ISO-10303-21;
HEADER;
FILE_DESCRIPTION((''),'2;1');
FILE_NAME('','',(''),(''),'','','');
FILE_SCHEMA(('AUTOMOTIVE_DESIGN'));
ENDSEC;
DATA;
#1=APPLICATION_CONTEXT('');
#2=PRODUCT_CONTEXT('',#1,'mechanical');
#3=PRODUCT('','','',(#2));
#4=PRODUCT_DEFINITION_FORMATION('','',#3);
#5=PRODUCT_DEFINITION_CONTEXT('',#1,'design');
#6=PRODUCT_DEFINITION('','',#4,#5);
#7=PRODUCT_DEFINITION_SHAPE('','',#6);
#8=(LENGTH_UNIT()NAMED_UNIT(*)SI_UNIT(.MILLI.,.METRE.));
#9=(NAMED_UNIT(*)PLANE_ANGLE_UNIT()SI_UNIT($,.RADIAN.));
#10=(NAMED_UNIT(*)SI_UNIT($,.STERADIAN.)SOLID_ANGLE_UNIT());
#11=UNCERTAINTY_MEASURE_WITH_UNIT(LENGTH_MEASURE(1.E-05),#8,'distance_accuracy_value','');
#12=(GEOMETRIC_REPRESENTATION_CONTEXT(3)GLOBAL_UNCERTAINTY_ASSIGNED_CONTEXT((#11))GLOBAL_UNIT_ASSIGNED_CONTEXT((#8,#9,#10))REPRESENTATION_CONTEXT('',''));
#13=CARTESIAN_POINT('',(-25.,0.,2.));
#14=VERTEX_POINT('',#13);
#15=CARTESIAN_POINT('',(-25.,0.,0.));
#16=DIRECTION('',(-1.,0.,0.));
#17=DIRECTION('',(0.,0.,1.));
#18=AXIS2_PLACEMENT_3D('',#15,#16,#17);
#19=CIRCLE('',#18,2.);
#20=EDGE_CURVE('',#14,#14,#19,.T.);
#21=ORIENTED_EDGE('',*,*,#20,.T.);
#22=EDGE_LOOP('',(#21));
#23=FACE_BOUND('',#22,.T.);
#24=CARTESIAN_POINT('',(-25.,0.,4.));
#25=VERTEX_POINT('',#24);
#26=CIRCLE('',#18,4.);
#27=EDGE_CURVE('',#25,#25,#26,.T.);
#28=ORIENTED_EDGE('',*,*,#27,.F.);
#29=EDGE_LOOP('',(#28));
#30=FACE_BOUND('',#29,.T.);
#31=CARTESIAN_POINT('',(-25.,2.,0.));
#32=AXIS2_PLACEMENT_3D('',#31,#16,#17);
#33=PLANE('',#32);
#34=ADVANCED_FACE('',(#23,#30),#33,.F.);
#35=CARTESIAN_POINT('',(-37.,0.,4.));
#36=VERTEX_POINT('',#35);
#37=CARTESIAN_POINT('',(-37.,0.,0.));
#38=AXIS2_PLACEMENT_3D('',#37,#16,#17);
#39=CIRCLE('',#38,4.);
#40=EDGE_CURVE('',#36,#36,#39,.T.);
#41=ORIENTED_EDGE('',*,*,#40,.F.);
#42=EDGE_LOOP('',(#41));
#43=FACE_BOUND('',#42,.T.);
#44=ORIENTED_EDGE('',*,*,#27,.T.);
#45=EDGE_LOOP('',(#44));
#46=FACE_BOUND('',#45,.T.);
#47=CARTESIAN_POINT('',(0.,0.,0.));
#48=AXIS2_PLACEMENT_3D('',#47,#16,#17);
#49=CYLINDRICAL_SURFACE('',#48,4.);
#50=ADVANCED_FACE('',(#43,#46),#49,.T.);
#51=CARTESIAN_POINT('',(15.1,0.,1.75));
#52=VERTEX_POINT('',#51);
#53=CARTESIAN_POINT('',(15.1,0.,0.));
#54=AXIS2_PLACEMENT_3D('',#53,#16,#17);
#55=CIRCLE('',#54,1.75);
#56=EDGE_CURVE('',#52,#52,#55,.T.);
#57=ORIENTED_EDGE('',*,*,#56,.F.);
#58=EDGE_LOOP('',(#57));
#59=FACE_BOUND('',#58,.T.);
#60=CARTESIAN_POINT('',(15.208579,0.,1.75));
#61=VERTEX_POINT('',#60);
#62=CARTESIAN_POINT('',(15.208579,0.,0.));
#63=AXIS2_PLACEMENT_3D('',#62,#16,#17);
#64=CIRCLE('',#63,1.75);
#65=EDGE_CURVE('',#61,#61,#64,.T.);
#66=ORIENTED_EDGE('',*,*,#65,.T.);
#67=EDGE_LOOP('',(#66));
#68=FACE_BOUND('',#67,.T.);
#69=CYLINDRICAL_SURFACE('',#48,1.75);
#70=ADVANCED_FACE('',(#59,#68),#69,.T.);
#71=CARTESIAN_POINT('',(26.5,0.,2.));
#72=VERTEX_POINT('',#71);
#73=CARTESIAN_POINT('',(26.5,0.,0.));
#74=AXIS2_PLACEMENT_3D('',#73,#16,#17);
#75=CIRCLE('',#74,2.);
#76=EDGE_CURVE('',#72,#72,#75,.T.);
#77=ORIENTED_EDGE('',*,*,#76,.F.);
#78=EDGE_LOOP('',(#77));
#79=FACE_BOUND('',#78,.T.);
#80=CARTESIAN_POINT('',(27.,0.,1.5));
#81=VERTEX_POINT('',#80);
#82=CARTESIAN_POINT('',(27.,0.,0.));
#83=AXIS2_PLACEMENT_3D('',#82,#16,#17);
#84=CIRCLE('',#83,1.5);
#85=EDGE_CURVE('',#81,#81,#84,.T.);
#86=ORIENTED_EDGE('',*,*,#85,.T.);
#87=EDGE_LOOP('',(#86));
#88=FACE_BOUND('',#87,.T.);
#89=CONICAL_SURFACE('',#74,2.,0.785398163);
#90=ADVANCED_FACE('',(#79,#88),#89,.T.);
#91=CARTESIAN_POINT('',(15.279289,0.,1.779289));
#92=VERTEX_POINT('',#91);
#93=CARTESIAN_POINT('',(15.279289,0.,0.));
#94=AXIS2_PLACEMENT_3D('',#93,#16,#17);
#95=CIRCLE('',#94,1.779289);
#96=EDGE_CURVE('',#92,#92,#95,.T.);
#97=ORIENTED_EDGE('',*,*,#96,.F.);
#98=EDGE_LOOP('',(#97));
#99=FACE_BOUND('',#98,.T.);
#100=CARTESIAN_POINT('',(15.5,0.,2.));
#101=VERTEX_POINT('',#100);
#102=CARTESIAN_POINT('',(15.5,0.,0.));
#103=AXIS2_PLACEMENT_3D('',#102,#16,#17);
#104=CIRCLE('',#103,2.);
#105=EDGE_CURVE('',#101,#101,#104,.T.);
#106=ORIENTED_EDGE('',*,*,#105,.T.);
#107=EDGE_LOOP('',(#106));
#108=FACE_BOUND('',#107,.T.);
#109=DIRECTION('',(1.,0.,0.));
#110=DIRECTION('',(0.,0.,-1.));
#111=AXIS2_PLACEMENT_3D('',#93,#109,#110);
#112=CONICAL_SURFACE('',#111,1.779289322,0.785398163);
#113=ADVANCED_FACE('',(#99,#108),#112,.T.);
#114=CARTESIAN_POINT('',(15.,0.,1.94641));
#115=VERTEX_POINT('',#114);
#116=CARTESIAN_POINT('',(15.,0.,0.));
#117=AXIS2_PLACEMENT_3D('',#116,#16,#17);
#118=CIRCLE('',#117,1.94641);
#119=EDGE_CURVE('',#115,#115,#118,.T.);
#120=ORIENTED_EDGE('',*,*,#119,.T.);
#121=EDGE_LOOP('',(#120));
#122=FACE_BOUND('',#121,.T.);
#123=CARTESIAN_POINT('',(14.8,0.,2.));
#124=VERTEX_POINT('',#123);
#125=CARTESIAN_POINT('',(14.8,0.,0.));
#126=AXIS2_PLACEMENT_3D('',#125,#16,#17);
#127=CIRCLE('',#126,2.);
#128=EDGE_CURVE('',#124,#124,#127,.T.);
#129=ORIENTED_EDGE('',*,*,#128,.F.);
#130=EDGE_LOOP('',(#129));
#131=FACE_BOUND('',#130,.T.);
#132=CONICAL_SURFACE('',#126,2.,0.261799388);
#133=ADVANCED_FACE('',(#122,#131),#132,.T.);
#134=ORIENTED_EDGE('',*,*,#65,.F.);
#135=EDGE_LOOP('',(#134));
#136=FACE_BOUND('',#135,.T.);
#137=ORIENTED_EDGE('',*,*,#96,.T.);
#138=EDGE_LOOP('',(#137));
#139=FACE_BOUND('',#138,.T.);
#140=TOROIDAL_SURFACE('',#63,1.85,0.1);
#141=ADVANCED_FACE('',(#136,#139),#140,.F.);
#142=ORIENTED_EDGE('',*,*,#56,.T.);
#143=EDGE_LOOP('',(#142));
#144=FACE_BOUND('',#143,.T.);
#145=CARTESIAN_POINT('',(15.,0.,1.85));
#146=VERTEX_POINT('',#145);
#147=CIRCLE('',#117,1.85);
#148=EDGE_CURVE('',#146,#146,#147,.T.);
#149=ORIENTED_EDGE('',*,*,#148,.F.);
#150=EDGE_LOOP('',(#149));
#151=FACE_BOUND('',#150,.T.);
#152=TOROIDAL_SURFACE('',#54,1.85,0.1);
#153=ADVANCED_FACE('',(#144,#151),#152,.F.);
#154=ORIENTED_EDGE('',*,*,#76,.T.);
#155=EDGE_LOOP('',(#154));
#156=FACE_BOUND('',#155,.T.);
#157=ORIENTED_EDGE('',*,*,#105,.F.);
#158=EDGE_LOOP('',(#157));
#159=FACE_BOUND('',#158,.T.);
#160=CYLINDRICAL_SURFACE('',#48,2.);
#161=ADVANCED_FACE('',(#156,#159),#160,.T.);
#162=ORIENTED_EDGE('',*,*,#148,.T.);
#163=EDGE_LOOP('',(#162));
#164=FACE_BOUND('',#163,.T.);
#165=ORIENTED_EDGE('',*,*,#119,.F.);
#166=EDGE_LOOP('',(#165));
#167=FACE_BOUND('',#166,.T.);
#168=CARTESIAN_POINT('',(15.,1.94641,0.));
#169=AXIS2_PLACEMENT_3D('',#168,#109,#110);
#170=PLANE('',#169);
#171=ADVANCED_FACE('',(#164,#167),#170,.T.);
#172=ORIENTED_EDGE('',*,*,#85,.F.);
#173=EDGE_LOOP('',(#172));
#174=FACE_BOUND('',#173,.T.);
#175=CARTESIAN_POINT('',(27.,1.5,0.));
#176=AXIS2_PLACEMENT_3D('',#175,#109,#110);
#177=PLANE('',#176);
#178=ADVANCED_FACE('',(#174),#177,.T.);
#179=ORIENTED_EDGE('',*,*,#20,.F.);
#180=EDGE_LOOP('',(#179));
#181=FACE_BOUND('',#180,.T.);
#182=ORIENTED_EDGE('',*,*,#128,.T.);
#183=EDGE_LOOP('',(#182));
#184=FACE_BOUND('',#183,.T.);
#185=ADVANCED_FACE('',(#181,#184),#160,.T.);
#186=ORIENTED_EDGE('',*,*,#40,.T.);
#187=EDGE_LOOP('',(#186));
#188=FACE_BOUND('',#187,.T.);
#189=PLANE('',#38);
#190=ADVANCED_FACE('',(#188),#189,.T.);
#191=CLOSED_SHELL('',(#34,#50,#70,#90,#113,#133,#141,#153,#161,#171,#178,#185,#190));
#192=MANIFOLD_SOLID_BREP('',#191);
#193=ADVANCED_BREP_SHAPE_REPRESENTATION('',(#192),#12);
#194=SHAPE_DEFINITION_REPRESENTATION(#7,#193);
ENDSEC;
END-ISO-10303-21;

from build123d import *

# Parameters (mm, degrees)
SKETCH3_R = 4
P_L_DEPTH = 10


with BuildPart() as part:
    # Sketch1 → Revolve1 (revolve)
    with BuildSketch(Plane.XY):
        with BuildLine():
            Line((-25, 2), (14.8, 2))
            Line((14.8, 2), (15, 1.946410162))
            Line((15, 1.946410162), (15, 1.85))
            ThreePointArc((15, 1.85), (15.029289322, 1.779289322), (15.1, 1.75))
            Line((15.1, 1.75), (15.208578644, 1.75))
            ThreePointArc((15.208578644, 1.75), (15.246846987, 1.757612047), (15.279289322, 1.779289322))
            Line((15.279289322, 1.779289322), (15.5, 2))
            Line((15.5, 2), (26.5, 2))
            Line((26.5, 2), (27, 1.5))
            Line((27, 1.5), (27, 0))
            Line((27, 0), (-27, 0))
            Line((-27, 0), (-27, 4))
            Line((-27, 4), (-25, 4))
            Line((-25, 4), (-25, 2))
        make_face()
    revolve(axis=Axis((0, 0, 0), (1, 0, 0)))

    # Sketch3 → P-L (add)
    with BuildSketch(Plane.ZY.offset(27)):
        Circle(SKETCH3_R)
    extrude(amount=P_L_DEPTH)


solid = part.part
